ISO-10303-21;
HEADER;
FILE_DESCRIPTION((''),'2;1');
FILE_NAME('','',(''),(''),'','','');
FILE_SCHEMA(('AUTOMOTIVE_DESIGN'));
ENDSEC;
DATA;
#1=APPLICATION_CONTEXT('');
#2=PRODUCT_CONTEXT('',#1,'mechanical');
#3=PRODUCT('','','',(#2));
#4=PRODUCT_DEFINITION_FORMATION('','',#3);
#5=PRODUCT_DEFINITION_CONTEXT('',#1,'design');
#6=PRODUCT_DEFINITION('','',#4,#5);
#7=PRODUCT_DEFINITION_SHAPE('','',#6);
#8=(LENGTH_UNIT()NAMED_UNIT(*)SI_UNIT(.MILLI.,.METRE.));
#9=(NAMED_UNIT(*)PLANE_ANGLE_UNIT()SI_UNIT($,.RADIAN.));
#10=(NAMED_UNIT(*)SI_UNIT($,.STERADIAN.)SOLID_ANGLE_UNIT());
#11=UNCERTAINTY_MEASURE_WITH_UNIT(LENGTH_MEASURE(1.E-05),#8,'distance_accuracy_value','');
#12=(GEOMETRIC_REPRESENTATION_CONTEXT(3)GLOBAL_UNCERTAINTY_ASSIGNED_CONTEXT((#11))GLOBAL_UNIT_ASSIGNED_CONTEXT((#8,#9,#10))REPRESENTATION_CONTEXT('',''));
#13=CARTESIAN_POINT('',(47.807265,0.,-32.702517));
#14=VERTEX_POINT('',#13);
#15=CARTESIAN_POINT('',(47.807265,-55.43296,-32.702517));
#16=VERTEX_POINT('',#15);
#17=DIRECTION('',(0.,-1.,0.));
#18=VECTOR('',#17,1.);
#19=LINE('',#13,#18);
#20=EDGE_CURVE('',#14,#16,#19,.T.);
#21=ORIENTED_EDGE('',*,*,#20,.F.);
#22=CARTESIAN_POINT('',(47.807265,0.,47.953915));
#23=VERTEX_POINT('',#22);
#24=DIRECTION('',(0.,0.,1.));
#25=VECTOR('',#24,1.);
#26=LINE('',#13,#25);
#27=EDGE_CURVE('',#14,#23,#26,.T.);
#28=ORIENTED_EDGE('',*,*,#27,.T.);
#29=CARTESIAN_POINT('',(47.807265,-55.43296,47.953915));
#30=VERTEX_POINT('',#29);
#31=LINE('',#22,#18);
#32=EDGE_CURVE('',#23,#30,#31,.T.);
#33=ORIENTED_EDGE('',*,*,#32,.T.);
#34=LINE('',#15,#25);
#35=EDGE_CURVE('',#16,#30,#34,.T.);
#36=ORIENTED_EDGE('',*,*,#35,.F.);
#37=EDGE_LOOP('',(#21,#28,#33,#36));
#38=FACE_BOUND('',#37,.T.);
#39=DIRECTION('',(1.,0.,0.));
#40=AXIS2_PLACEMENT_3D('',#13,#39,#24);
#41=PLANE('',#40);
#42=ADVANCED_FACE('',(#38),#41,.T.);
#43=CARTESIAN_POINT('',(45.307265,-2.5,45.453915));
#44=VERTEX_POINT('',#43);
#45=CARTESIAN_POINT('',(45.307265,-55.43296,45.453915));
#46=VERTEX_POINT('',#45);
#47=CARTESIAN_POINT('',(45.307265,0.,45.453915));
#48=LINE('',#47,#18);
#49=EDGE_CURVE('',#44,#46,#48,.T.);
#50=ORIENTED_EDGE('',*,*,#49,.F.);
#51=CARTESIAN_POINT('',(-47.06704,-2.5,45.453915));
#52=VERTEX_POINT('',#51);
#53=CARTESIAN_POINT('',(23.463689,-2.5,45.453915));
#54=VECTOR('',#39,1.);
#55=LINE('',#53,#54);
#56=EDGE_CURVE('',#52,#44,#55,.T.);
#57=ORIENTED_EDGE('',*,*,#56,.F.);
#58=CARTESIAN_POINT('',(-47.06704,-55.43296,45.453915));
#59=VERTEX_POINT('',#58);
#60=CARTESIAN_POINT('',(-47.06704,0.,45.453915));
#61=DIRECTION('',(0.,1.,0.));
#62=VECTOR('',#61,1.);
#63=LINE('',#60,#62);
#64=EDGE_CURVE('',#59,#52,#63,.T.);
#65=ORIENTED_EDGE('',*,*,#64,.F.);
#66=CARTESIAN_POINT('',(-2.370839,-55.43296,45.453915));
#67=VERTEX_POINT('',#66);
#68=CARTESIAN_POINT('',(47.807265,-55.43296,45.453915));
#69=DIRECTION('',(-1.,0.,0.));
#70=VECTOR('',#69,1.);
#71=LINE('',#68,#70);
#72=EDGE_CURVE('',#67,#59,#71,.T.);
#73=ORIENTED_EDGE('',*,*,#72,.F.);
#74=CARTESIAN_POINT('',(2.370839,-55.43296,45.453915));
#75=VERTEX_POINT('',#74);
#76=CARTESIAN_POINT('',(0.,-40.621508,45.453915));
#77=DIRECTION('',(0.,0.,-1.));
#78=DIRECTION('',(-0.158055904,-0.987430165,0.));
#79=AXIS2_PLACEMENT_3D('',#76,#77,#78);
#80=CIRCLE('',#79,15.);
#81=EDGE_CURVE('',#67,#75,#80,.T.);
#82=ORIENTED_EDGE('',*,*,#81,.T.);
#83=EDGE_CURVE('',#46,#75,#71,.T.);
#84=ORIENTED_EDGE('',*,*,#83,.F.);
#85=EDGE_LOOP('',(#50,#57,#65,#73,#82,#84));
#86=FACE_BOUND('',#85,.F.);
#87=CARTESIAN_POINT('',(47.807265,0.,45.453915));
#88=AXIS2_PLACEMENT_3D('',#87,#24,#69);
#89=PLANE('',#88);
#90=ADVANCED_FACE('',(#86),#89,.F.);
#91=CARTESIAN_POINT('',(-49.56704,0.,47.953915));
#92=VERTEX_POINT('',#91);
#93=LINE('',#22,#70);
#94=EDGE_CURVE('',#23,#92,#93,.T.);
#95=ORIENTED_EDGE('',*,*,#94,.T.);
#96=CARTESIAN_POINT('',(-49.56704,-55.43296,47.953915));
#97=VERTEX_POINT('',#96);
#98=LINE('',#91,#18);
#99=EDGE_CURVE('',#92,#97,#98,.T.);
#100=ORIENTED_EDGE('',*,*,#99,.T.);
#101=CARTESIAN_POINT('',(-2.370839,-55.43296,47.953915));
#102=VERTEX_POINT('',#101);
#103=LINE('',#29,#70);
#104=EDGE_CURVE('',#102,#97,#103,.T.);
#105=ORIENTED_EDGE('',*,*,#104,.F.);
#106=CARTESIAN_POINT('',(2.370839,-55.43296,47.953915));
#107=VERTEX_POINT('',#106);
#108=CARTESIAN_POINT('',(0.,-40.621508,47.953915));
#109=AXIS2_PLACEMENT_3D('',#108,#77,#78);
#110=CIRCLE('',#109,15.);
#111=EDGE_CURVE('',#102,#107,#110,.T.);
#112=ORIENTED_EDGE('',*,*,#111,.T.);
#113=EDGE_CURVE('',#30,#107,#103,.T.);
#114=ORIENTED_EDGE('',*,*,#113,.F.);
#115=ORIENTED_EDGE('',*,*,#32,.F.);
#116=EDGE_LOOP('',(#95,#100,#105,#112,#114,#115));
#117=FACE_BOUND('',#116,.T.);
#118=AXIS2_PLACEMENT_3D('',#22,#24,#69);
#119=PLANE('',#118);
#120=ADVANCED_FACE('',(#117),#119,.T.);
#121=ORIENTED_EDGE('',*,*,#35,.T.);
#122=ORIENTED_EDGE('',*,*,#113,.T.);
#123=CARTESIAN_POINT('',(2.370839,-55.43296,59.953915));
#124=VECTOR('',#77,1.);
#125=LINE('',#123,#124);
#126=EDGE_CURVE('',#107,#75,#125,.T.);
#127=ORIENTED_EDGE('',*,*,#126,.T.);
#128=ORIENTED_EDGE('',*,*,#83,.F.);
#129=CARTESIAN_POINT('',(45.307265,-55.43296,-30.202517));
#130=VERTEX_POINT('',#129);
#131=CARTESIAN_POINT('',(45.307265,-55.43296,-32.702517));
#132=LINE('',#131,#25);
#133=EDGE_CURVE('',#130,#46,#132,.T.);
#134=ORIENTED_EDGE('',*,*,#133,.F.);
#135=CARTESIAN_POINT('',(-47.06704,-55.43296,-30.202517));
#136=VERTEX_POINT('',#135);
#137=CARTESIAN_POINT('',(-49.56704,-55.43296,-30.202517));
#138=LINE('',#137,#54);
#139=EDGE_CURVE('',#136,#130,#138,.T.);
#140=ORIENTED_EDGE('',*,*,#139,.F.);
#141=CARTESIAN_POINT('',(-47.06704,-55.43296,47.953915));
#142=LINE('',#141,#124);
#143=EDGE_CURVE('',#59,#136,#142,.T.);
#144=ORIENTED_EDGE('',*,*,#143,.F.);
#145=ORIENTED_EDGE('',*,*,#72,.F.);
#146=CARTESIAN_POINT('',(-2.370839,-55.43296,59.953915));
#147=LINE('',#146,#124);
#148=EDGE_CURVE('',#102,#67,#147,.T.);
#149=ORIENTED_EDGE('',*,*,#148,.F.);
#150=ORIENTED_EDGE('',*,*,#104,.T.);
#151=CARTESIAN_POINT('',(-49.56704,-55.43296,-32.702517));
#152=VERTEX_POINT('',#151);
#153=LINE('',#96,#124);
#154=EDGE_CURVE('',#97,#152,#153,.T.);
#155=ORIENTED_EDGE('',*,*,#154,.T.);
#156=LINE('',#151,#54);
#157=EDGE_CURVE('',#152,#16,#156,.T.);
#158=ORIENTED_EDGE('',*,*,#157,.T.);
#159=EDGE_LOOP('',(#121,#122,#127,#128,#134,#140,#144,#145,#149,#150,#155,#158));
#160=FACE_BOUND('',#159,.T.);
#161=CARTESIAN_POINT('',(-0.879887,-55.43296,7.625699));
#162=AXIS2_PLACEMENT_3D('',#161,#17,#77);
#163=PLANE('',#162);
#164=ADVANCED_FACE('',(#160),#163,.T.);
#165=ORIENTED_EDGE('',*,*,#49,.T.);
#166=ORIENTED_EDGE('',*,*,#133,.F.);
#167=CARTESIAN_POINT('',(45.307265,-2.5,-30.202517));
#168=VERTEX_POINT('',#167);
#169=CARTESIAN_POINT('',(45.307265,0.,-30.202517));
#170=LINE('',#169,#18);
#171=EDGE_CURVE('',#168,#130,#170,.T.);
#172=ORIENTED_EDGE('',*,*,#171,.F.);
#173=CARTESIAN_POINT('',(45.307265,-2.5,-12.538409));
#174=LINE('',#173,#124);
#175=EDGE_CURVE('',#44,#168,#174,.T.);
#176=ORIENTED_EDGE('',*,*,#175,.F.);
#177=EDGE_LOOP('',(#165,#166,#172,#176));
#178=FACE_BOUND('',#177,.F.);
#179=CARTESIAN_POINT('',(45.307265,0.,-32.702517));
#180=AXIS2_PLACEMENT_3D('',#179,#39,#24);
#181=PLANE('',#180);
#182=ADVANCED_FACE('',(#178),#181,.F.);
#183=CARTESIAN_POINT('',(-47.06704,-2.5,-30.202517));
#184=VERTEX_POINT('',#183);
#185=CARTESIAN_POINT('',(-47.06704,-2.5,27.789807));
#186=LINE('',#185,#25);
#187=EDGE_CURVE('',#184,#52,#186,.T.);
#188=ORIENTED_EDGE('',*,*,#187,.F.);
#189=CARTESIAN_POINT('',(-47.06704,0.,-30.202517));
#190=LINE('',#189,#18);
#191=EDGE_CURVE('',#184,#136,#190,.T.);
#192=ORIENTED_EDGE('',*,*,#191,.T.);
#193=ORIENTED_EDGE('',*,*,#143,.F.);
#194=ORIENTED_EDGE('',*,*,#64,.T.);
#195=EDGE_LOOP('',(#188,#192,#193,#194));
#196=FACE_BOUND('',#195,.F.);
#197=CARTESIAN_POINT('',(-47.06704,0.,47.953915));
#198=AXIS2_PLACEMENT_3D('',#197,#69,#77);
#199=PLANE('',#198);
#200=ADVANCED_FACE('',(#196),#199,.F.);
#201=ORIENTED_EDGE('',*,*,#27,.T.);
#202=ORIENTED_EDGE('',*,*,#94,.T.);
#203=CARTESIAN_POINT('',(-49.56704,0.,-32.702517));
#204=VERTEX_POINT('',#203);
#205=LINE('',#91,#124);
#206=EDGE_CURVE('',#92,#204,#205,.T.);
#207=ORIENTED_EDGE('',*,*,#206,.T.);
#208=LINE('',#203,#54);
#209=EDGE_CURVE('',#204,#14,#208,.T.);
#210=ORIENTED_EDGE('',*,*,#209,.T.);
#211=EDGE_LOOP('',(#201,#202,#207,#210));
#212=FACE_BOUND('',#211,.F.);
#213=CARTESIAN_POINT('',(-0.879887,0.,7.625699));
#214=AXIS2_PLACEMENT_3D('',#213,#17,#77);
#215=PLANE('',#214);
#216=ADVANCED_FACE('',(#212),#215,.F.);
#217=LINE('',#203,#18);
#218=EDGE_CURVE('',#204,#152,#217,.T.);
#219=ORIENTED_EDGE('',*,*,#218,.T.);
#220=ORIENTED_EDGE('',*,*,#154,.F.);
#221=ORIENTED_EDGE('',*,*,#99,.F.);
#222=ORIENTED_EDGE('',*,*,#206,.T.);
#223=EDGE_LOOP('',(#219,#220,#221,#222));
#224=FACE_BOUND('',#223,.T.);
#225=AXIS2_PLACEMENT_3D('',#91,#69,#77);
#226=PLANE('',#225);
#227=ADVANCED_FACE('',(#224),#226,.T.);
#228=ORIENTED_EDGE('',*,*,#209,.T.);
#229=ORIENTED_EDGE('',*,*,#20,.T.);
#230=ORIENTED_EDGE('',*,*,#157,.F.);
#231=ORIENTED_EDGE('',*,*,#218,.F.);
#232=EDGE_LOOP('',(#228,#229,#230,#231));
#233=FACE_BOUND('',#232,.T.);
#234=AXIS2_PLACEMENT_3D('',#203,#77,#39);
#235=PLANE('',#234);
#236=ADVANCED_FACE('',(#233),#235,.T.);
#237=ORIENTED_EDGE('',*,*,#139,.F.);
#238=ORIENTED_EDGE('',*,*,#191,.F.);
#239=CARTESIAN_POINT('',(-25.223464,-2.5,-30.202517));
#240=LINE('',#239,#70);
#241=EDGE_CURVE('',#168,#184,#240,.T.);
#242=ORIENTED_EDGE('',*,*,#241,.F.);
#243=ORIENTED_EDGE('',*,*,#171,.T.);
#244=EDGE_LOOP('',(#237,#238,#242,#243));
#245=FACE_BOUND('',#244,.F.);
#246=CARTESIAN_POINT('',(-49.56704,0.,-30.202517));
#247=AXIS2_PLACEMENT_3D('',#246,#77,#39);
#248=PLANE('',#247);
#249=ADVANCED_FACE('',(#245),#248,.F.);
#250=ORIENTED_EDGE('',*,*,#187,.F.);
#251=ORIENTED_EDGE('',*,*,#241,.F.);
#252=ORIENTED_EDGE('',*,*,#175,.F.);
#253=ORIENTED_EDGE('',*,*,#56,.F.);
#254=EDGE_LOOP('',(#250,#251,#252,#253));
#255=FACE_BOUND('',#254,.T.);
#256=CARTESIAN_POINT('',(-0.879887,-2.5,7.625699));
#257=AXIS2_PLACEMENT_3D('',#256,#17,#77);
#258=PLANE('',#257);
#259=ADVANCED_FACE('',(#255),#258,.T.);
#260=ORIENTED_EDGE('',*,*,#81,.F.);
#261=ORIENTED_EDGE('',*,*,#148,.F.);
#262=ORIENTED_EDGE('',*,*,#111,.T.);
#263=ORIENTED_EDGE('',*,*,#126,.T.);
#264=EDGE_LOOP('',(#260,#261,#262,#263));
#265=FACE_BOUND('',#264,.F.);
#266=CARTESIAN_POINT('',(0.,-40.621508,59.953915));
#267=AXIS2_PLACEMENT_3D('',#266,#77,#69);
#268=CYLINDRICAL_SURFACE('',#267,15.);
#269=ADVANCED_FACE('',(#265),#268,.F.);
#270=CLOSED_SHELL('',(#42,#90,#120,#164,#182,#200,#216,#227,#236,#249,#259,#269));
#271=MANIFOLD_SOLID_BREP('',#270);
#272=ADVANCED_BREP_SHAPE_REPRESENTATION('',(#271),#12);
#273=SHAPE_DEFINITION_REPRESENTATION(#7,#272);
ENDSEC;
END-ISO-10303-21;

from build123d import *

# Parameters (mm, degrees)
F3_T     = -2.5
F5_D     = 30
F5_DEPTH = 12
F5_TIP   = 9.0129092854


with BuildPart() as f2:
    # F2: sweep along a path in F1
    with BuildLine(Plane.YZ) as f2_path:
        Line((0, 0), (-55.432960391, 0))
    # F0 (on Front) → F2 (sweep)
    with BuildSketch(Plane.XZ):
        Polygon((-49.567040056, 47.953914851), (-49.567040056, 42.0879907906), (-49.567040056, -32.7025167644), (47.8072650731, -32.7025167644), (47.8072650731, 47.953914851), align=None)
    sweep(path=f2_path.line)

    # F3
    f3_openings = [f2.faces().sort_by_distance(p)[0] for p in [
        (-0.879887, -55.43296, 7.625699),
    ]]
    offset(amount=F3_T, openings=f3_openings)

    # F5
    with Locations(Plane.XY.offset(47.953914851)):
        with Locations((0, -40.6215079129)):
            Hole(F5_D / 2, depth=F5_DEPTH)
            with Locations((0, 0, -(F5_DEPTH + F5_TIP / 2))):  # 118° drill point
                Cone(0, F5_D / 2, F5_TIP, mode=Mode.SUBTRACT)


solid = f2.part
